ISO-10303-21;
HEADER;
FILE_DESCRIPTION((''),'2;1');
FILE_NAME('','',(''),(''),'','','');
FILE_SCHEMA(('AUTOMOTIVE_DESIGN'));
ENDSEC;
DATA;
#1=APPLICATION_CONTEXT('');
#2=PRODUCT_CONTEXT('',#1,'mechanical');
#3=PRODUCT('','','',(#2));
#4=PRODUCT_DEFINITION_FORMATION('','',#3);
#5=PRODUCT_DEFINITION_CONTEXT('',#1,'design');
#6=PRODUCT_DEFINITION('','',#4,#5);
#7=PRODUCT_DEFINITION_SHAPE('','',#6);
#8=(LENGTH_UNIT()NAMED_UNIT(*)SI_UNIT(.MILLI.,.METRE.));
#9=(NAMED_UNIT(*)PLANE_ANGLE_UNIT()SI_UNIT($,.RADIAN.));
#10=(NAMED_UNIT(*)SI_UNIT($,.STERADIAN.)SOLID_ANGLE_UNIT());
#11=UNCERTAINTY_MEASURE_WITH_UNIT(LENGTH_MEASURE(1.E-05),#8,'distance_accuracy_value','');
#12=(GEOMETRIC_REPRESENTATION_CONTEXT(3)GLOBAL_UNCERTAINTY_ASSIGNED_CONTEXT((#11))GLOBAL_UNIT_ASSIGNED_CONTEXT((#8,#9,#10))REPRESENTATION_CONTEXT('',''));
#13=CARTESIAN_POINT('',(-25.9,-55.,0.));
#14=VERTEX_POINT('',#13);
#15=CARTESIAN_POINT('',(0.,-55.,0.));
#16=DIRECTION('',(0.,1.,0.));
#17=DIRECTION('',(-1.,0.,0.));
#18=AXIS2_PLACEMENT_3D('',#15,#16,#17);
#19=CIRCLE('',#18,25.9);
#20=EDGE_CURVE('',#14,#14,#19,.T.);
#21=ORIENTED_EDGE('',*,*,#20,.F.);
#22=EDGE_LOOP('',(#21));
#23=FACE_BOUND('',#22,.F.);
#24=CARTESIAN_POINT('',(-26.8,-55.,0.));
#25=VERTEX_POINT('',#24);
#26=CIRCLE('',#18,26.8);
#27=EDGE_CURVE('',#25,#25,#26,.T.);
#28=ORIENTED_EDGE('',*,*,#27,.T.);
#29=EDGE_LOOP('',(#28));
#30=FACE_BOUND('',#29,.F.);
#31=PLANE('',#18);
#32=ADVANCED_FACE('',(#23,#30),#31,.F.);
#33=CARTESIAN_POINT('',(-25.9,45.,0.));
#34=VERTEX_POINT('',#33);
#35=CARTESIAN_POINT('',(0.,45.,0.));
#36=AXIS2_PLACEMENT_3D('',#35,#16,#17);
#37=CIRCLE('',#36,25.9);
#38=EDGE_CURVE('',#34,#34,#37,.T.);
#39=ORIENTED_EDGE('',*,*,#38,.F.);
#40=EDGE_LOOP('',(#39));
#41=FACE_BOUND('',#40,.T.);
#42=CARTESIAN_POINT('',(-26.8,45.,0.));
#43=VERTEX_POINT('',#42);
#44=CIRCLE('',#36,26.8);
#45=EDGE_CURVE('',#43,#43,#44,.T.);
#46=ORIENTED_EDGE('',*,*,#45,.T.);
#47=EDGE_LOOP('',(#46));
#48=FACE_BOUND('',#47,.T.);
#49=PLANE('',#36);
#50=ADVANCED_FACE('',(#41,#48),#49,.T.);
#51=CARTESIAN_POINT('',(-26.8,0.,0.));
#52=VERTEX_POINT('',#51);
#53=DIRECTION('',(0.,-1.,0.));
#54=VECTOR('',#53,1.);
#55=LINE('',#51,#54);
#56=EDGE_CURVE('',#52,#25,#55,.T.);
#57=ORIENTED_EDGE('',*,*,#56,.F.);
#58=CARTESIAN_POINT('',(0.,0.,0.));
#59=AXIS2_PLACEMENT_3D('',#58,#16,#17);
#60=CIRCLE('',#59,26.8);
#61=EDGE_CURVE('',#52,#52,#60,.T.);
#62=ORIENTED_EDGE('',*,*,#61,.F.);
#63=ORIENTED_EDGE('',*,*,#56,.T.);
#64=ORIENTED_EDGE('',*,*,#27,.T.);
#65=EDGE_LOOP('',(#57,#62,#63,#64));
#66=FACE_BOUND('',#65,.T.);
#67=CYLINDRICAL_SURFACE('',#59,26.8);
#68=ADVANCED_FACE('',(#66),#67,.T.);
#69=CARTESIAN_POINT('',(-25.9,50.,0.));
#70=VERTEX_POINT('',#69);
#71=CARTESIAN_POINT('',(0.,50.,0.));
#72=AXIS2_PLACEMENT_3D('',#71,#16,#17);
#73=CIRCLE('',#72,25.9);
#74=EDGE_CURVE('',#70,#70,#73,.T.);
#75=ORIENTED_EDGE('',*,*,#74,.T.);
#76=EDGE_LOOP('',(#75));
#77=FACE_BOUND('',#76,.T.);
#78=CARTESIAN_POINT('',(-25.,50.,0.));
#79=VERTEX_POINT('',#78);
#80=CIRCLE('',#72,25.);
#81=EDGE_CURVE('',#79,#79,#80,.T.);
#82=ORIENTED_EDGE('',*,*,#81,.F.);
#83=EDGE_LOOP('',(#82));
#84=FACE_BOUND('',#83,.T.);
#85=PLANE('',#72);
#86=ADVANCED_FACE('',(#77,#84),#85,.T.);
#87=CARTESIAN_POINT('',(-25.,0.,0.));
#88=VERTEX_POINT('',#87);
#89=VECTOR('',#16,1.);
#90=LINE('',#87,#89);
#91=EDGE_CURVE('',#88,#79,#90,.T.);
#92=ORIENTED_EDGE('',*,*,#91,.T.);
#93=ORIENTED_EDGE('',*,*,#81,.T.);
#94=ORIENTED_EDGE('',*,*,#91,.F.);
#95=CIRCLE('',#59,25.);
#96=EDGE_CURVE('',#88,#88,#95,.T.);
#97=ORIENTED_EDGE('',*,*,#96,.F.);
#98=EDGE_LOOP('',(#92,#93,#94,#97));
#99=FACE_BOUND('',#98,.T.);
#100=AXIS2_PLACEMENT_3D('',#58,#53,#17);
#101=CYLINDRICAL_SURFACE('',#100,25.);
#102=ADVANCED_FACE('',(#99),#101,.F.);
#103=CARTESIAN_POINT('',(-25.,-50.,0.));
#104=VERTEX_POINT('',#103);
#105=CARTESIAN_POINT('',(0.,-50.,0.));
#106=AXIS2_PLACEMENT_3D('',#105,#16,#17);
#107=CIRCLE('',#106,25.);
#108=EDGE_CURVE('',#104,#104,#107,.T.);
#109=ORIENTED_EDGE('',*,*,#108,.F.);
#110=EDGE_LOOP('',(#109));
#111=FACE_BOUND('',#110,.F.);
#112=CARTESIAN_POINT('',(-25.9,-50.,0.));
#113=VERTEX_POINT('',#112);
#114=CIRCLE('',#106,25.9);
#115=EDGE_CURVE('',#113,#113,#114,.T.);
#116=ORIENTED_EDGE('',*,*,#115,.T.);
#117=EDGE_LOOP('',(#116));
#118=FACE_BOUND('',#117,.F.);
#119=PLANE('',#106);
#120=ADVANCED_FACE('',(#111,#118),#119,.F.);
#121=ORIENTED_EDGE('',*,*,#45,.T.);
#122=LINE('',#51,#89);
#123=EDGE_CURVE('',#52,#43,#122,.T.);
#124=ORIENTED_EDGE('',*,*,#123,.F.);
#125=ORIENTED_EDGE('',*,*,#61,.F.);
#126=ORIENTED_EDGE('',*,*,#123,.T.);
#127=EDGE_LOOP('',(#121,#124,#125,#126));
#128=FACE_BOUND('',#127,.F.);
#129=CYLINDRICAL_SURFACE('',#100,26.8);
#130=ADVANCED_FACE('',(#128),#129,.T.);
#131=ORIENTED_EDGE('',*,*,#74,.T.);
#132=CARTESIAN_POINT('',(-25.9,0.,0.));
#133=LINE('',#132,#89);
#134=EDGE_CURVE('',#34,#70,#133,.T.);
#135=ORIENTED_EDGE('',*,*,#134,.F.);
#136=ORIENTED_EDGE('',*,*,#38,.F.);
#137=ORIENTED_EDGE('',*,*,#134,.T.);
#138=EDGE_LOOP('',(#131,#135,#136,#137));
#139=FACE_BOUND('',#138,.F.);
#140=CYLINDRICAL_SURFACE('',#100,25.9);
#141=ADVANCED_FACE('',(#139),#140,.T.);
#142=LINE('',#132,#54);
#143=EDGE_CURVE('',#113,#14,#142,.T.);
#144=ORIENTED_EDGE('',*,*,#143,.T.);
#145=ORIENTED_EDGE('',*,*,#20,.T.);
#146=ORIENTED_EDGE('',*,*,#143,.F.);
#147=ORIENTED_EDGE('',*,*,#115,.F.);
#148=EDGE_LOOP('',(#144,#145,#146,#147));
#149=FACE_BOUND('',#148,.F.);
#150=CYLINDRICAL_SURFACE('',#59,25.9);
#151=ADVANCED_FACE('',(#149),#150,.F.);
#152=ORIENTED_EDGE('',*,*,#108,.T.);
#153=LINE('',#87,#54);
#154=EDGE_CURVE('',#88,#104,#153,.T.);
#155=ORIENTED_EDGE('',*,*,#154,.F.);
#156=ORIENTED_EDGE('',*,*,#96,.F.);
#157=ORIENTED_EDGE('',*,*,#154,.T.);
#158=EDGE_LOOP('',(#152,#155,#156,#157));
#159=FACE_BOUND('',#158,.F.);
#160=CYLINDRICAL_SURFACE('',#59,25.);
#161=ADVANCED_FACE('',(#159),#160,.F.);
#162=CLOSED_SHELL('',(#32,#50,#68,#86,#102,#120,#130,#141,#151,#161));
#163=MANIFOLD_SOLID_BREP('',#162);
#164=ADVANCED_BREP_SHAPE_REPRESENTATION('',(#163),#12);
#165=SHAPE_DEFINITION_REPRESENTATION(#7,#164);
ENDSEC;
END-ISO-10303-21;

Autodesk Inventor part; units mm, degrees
ref_plane "YZ Plane" through (0, 0, 0) normal (1, 0, 0) x (0, 1, 0)
ref_plane "XZ Plane" through (0, 0, 0) normal (0, 1, 0) x (-1, 0, 0)
ref_plane "XY Plane" through (0, 0, 0) normal (0, 0, 1) x (1, 0, 0)
sketch "Sketch1" plane through (0, 0, 0) normal (0, 1, 0) x (-1, 0, 0)
  circle A0 centre (0, 0) radius 25.9
  circle A1 centre (0, 0) radius 25
  circle A2 centre (0, 0) radius 26.8
  dimension "d0" = 51.8
  dimension "d1" = 50
  dimension "d2" = 53.6
extrude "Extrusion1" add sketch "Sketch1" along normal mid plane 100 contours A0
extrude "Extrusion2" add sketch "Sketch1" along normal blind 45 and the other way blind 55 contours A2
properties part number "extraTube" material "ABS Plastic"
